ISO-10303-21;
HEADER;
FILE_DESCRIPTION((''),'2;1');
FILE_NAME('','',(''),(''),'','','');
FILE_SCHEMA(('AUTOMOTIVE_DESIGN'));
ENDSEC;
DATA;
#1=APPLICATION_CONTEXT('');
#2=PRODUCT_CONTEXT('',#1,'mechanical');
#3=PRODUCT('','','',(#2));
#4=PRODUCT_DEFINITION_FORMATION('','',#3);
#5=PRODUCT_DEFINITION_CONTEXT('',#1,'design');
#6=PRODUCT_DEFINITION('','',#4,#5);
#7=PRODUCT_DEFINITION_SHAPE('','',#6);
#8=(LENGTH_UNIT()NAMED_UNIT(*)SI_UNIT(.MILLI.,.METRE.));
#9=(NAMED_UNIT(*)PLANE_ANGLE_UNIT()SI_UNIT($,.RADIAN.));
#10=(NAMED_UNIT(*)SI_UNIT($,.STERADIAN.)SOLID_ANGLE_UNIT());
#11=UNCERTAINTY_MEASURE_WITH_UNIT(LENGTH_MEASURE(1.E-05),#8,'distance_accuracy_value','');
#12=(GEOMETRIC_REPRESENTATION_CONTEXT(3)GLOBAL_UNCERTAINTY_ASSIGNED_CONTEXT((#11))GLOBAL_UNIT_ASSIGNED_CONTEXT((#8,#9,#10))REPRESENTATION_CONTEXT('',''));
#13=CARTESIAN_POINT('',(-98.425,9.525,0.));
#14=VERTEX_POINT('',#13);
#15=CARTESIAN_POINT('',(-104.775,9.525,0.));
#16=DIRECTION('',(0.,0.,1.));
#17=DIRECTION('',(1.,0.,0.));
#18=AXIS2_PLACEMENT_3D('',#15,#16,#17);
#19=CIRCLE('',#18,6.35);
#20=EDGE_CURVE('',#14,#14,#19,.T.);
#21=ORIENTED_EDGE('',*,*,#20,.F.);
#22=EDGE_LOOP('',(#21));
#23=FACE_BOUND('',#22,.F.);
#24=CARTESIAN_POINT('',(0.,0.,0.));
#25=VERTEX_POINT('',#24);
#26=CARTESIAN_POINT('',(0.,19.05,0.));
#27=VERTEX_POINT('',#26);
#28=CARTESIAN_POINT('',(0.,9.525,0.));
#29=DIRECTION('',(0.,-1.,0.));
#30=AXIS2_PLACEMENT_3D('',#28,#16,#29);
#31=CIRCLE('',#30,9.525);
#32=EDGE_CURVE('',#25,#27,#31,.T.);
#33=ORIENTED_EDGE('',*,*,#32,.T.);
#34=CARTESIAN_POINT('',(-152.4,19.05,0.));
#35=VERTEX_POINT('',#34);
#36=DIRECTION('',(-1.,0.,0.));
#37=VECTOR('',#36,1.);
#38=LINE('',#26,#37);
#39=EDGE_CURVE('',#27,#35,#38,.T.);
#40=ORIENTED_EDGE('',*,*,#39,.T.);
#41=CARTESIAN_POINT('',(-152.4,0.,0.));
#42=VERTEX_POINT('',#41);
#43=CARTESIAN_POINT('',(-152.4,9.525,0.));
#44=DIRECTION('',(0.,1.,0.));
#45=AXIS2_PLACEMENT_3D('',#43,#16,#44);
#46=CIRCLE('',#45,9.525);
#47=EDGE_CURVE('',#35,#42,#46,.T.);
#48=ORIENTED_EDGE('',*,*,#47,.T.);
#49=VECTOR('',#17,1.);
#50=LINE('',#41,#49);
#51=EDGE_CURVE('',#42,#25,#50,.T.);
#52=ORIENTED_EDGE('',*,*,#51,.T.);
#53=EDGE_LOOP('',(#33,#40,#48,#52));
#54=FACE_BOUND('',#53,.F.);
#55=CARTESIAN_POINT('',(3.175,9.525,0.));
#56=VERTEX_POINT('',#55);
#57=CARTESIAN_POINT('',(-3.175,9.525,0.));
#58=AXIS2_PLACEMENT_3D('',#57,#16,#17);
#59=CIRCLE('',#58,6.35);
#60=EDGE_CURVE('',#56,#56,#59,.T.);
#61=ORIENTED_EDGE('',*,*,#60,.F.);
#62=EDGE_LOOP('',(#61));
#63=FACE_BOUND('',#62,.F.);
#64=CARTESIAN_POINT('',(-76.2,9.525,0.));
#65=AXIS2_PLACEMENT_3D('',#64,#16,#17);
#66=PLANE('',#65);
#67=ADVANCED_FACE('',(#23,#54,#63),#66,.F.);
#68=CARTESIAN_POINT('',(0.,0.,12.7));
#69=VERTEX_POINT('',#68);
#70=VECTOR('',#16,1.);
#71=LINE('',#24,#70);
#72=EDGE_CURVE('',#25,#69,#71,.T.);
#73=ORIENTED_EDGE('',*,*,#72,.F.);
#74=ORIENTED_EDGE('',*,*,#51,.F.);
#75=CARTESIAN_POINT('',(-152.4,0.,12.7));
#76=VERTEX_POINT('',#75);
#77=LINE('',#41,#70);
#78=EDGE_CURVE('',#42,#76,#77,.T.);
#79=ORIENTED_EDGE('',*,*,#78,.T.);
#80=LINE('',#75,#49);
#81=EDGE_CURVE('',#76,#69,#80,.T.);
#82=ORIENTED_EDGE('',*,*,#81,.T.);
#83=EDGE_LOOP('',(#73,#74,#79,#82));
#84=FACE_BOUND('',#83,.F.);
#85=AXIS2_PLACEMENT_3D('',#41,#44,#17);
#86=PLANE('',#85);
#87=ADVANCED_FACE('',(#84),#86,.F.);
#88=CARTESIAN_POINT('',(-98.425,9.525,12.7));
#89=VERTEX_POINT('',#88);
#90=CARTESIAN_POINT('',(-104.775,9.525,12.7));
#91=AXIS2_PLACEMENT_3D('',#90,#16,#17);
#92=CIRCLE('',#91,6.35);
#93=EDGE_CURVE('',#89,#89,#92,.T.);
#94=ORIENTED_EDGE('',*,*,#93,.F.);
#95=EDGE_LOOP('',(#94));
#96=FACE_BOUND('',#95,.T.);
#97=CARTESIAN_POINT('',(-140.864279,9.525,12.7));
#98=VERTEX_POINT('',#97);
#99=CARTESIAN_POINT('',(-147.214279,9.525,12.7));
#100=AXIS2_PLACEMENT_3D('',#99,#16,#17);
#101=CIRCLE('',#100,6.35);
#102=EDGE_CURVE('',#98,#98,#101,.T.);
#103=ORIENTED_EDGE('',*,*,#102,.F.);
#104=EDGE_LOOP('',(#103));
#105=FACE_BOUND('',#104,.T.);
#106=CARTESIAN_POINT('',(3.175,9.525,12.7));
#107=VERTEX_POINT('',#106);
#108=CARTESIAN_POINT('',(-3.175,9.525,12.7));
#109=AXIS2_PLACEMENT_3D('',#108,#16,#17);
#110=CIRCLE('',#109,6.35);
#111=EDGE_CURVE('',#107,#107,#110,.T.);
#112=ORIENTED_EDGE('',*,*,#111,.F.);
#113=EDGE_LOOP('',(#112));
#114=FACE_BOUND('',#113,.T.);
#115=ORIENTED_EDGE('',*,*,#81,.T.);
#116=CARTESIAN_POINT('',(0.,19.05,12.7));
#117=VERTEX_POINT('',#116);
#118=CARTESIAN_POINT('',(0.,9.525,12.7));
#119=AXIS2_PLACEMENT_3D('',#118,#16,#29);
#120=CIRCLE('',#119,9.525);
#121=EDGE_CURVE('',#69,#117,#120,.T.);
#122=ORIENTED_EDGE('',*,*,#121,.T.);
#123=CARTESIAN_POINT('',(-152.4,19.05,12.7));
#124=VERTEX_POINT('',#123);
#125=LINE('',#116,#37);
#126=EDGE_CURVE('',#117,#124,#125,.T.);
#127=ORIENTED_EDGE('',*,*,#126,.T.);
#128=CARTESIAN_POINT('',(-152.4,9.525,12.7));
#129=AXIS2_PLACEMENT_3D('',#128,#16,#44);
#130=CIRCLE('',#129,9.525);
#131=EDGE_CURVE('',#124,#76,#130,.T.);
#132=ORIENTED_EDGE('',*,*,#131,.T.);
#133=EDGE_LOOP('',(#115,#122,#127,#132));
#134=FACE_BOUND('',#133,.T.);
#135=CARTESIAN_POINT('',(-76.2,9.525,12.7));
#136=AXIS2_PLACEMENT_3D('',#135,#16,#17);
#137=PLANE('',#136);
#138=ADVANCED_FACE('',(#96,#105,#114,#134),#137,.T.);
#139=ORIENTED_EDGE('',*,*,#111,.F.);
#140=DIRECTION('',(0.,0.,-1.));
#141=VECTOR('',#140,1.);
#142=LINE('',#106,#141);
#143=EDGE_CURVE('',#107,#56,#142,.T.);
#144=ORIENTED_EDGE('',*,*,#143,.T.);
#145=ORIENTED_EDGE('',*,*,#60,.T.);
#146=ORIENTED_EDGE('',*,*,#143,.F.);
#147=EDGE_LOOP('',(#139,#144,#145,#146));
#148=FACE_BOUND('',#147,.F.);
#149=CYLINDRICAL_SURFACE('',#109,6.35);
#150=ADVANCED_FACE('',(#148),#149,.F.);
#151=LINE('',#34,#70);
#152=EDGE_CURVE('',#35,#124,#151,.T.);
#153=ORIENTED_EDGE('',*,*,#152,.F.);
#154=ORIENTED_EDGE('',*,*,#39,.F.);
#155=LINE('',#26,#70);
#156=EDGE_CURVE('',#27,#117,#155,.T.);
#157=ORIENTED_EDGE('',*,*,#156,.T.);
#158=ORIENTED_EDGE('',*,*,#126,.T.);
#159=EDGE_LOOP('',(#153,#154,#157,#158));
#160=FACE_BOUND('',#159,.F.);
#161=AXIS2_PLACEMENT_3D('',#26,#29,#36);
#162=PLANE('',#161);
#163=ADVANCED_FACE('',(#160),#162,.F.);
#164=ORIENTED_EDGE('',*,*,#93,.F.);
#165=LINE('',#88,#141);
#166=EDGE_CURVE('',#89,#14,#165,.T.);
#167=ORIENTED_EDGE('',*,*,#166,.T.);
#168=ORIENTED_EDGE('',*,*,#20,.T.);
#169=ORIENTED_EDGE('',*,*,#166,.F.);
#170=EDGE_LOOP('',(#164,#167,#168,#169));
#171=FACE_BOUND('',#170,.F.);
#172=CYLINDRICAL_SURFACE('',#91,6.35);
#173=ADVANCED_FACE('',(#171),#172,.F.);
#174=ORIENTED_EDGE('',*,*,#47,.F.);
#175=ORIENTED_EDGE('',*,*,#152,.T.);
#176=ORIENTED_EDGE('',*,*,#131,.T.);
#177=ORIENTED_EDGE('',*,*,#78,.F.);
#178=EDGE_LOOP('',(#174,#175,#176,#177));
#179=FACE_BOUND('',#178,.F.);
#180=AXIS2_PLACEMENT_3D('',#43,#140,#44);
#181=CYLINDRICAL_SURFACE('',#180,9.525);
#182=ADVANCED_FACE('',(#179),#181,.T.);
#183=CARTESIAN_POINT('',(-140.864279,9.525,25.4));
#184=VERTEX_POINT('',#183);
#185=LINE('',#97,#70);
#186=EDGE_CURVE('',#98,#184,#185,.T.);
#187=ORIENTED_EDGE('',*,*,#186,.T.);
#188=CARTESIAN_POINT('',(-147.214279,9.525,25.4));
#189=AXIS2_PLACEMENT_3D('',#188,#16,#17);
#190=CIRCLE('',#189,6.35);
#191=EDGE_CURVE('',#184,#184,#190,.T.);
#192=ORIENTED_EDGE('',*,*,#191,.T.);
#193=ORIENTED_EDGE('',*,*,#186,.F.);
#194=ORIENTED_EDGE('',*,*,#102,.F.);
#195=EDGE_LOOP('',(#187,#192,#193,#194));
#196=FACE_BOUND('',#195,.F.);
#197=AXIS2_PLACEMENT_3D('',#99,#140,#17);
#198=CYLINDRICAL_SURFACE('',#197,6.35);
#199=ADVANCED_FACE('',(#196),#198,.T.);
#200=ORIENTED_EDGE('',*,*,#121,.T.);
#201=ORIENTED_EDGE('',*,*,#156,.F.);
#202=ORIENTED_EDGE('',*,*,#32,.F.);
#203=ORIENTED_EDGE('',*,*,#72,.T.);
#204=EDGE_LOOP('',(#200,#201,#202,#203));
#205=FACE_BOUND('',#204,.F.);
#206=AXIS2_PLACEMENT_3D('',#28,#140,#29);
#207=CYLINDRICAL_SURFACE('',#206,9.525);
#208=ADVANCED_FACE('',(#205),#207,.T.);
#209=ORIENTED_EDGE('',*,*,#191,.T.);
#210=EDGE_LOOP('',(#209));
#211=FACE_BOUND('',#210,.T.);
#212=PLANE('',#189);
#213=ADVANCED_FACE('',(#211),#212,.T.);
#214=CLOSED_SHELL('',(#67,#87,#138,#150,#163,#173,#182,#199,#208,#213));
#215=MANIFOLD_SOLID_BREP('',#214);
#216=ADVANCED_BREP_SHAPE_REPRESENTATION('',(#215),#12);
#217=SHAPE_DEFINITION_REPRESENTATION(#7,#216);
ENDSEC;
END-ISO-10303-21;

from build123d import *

# Parameters (mm, degrees)
F1_DEPTH = 12.7
F2_R     = 6.35
F3_DEPTH = 25.4
F4_R     = 6.35
F5_DEPTH = 12.7


with BuildPart() as f1:
    # F0 (on Top) → F1 (new body)
    with BuildSketch(Plane.XY):
        with BuildLine():
            Line((-152.4, 0), (0, 0))
            ThreePointArc((0, 0), (9.525, 9.525), (0, 19.05))
            Line((0, 19.05), (-152.4, 19.05))
            ThreePointArc((-152.4, 19.05), (-161.925, 9.525), (-152.4, 0))
        make_face()
    extrude(amount=F1_DEPTH)

    # F2 (on face) → F3 (cut)
    with BuildSketch(Plane.XY.offset(12.7)):
        with Locations((-104.775, 9.525)):
            Circle(F2_R)
        with Locations((-3.175, 9.525)):
            Circle(F2_R)
    extrude(amount=-F3_DEPTH, mode=Mode.SUBTRACT)

    # F4 (on face) → F5 (join)
    with BuildSketch(Plane.XY.offset(12.7)):
        with Locations((-147.214279, 9.525)):
            Circle(F4_R)
    extrude(amount=F5_DEPTH)


solid = f1.part
